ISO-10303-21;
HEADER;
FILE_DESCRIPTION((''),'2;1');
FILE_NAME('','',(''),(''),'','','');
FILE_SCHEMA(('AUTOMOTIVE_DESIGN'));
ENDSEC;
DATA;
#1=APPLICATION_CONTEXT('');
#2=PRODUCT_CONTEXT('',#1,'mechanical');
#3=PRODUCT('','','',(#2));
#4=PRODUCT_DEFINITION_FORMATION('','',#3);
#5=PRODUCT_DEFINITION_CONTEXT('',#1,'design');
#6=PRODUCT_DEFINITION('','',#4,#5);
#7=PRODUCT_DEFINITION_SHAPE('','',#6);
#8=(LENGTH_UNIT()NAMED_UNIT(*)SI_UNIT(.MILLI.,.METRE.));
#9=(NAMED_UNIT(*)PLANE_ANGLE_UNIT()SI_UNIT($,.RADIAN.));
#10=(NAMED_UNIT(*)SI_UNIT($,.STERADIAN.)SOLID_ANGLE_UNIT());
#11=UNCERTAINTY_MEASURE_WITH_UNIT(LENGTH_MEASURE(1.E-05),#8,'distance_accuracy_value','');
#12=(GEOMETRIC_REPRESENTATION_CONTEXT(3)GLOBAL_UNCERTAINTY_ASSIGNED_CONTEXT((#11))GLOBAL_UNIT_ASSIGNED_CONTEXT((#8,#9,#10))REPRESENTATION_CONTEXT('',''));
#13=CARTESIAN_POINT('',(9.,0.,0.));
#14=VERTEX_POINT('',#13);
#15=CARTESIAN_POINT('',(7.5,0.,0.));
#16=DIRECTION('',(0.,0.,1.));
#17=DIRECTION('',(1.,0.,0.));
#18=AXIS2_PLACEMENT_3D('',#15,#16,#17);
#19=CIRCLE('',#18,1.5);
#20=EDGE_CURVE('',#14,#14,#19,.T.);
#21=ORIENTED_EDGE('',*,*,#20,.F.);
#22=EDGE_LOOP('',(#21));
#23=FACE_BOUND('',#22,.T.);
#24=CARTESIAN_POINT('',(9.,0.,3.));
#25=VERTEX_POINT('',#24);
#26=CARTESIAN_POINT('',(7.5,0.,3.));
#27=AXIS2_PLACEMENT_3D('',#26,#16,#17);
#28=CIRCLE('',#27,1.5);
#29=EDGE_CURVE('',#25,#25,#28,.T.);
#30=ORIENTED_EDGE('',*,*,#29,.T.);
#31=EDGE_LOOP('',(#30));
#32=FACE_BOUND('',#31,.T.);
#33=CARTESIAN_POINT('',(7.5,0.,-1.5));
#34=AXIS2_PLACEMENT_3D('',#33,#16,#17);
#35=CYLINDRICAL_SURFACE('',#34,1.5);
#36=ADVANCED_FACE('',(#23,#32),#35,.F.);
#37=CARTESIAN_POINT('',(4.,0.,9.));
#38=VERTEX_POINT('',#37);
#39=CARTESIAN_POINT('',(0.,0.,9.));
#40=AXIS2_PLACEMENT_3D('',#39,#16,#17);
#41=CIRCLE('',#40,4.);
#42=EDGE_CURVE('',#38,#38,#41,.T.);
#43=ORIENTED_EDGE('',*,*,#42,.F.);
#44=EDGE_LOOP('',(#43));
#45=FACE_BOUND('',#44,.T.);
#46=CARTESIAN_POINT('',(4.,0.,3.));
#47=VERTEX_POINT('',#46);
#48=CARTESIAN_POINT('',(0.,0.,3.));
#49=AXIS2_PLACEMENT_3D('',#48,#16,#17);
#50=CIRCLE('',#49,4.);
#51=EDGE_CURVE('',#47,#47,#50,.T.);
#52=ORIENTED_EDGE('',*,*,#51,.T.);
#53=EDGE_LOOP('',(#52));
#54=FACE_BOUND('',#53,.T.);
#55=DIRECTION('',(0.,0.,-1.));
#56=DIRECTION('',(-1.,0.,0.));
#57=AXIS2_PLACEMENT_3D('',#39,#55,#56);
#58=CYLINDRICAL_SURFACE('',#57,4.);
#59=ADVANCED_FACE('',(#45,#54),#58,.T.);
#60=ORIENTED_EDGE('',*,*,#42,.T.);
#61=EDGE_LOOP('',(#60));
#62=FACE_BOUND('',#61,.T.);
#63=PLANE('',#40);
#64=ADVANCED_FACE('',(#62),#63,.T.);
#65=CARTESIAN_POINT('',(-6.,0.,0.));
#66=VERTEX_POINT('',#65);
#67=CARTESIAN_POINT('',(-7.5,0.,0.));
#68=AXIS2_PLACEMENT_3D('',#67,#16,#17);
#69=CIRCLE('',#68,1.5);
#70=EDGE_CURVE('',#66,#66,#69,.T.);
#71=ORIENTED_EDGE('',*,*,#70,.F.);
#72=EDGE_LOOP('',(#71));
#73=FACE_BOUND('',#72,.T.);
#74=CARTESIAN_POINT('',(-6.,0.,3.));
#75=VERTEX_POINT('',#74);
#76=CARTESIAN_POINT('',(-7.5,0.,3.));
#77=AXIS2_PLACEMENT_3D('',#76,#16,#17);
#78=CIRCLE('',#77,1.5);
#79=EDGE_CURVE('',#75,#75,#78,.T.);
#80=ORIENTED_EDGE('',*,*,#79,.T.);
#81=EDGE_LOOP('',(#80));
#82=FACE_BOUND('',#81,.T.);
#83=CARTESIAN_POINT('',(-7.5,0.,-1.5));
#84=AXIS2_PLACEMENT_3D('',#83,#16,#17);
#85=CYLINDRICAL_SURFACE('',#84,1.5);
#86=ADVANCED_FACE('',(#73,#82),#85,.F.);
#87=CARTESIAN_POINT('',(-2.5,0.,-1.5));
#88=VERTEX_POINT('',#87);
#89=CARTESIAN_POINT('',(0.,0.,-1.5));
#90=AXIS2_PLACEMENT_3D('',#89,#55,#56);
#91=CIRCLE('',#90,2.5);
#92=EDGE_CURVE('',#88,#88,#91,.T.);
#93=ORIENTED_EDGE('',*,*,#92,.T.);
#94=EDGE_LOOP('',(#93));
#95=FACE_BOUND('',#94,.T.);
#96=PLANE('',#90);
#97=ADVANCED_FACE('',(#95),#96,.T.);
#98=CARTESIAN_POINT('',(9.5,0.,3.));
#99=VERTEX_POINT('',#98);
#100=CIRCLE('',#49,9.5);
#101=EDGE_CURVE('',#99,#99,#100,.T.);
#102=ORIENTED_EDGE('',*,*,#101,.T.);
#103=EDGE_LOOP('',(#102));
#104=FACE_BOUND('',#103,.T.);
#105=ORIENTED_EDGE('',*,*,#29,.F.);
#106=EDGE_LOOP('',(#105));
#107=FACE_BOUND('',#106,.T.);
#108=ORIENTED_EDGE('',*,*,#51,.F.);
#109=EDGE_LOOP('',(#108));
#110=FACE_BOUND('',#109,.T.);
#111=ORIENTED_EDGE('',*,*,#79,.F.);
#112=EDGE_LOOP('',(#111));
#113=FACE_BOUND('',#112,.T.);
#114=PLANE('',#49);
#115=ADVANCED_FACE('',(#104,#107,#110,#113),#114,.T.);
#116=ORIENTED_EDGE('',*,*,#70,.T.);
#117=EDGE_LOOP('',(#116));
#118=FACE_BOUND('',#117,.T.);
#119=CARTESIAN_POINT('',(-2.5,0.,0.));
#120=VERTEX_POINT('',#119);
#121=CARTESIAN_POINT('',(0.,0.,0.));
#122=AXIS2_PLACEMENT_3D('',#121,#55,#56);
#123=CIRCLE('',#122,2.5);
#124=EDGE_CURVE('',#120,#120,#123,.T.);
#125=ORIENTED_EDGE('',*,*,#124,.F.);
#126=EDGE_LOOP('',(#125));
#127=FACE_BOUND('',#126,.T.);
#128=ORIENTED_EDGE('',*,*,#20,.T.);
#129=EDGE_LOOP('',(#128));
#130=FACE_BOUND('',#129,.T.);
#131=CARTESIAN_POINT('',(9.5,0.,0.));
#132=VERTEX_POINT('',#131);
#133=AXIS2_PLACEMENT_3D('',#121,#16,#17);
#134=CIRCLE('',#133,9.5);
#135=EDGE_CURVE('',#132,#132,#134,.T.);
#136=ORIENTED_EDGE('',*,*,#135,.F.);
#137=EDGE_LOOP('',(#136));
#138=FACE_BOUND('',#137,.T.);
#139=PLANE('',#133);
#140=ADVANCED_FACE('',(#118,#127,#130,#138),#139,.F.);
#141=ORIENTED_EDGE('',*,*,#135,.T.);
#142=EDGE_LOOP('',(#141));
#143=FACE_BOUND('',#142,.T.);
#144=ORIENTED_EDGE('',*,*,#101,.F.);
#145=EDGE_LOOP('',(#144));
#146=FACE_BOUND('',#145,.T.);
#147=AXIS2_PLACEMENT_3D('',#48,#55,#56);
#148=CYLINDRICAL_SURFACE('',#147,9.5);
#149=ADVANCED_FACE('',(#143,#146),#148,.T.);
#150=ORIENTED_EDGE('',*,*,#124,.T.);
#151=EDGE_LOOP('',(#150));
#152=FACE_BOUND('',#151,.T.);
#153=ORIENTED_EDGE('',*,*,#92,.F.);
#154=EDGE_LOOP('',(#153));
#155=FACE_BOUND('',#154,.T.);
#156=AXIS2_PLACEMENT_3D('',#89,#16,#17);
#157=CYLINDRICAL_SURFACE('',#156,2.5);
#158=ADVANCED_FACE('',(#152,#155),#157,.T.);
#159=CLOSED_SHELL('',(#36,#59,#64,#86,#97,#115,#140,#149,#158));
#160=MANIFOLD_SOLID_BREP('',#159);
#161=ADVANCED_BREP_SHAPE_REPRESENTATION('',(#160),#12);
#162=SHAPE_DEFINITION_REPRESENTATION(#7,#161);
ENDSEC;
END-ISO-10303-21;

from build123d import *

# Parameters (mm, degrees)
CROQUIS1_R              = 9.5
SALIENTE_EXTRUIR1_DEPTH = 3
CROQUIS2_R              = 4
SALIENTE_EXTRUIR2_DEPTH = 6
CROQUIS3_R              = 2.5
SALIENTE_EXTRUIR3_DEPTH = 1.5
CROQUIS4_R              = 1.5
CORTAR_EXTRUIR1_DEPTH   = 15.71393897


with BuildPart() as part:
    # Croquis1 → Saliente-Extruir1 (new body)
    with BuildSketch(Plane.XY):
        Circle(CROQUIS1_R)
    extrude(amount=SALIENTE_EXTRUIR1_DEPTH)

    # Croquis2 → Saliente-Extruir2 (add)
    with BuildSketch(Plane.XY.offset(3)):
        Circle(CROQUIS2_R)
    extrude(amount=SALIENTE_EXTRUIR2_DEPTH)

    # Croquis3 → Saliente-Extruir3 (add)
    with BuildSketch(Plane(origin=(0, 0, 0), x_dir=(-1, 0, 0), z_dir=(0, 0, -1))):
        Circle(CROQUIS3_R)
    extrude(amount=SALIENTE_EXTRUIR3_DEPTH)

    # Croquis4 → Cortar-Extruir1 (cut, through all)
    with BuildSketch(Plane.XY.offset(3)):
        with Locations((-7.5, 0)):
            Circle(CROQUIS4_R)
        with Locations((7.5, 0)):
            Circle(CROQUIS4_R)
    extrude(amount=-CORTAR_EXTRUIR1_DEPTH, mode=Mode.SUBTRACT)


solid = part.part
